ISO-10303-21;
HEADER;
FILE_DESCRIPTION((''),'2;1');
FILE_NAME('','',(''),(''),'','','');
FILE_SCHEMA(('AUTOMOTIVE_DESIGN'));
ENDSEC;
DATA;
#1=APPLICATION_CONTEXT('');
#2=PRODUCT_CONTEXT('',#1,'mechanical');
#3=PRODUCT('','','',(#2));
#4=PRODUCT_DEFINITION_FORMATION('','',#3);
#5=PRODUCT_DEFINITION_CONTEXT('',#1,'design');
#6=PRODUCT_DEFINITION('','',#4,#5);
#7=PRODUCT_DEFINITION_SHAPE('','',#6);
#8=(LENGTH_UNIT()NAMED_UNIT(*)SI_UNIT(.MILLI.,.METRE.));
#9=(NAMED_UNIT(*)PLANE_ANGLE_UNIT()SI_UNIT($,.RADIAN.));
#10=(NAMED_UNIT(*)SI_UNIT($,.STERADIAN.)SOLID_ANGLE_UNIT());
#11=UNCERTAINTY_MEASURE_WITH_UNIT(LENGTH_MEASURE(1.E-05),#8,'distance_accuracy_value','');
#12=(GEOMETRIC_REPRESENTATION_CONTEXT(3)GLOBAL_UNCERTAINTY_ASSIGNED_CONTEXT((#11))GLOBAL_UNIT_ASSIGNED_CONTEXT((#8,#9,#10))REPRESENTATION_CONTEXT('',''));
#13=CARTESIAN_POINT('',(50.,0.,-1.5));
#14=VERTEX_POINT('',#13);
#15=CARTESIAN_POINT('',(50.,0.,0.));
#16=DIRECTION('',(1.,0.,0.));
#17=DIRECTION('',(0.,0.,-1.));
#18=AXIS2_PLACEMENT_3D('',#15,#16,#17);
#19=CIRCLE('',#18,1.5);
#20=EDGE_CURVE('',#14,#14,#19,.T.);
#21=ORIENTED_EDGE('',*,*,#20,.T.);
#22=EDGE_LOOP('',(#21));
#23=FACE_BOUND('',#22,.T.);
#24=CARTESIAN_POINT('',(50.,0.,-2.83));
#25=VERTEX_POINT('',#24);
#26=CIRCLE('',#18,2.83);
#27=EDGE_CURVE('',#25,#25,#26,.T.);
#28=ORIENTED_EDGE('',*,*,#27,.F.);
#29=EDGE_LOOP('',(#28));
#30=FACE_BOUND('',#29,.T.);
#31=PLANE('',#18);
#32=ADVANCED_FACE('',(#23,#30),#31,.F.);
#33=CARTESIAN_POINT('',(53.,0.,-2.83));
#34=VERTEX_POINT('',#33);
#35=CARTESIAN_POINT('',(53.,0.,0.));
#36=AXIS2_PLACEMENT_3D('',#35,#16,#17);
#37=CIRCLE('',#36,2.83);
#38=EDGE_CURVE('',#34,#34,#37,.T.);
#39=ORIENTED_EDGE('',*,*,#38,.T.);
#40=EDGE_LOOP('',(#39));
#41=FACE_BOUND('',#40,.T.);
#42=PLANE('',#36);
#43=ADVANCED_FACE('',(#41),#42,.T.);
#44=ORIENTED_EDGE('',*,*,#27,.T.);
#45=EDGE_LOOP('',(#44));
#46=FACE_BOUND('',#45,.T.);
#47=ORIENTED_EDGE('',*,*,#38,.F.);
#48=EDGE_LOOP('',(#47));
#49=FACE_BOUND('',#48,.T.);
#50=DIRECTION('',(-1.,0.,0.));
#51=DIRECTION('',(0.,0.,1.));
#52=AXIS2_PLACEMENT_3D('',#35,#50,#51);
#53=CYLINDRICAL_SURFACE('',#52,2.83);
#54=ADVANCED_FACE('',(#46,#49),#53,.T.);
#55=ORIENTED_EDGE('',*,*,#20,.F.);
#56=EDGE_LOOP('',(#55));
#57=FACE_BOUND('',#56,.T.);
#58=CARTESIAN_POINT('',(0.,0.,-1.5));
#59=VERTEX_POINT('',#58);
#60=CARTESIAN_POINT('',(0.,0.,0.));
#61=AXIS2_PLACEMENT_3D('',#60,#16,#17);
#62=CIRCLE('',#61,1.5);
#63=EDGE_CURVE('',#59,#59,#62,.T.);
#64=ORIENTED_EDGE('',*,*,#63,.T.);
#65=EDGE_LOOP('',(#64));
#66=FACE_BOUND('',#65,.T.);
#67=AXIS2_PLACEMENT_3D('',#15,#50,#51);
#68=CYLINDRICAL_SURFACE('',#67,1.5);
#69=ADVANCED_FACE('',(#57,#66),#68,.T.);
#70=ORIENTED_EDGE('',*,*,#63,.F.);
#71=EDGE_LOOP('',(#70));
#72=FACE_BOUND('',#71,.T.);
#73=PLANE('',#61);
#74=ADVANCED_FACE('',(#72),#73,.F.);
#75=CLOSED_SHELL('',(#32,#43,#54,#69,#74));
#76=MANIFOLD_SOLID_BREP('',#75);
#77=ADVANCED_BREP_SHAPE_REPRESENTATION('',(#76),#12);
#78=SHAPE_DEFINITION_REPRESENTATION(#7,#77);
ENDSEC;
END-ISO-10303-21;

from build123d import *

# Parameters (mm, degrees)
SKETCH_1_R      = 1.5
EXTRUDE_2_DEPTH = 50
SKETCH_2_R      = 2.83
EXTRUDE_3_DEPTH = 3


with BuildPart() as part:
    # 草图1 → 凸台-拉伸2 (new body)
    with BuildSketch(Plane(origin=(0, 0, 0), x_dir=(0, 0, -1), z_dir=(1, 0, 0))):
        Circle(SKETCH_1_R)
    extrude(amount=EXTRUDE_2_DEPTH)

    # 草图2 → 凸台-拉伸3 (add)
    with BuildSketch(Plane(origin=(50, 0, 0), x_dir=(0, 0, -1), z_dir=(1, 0, 0))):
        Circle(SKETCH_2_R)
    extrude(amount=EXTRUDE_3_DEPTH)


solid = part.part
